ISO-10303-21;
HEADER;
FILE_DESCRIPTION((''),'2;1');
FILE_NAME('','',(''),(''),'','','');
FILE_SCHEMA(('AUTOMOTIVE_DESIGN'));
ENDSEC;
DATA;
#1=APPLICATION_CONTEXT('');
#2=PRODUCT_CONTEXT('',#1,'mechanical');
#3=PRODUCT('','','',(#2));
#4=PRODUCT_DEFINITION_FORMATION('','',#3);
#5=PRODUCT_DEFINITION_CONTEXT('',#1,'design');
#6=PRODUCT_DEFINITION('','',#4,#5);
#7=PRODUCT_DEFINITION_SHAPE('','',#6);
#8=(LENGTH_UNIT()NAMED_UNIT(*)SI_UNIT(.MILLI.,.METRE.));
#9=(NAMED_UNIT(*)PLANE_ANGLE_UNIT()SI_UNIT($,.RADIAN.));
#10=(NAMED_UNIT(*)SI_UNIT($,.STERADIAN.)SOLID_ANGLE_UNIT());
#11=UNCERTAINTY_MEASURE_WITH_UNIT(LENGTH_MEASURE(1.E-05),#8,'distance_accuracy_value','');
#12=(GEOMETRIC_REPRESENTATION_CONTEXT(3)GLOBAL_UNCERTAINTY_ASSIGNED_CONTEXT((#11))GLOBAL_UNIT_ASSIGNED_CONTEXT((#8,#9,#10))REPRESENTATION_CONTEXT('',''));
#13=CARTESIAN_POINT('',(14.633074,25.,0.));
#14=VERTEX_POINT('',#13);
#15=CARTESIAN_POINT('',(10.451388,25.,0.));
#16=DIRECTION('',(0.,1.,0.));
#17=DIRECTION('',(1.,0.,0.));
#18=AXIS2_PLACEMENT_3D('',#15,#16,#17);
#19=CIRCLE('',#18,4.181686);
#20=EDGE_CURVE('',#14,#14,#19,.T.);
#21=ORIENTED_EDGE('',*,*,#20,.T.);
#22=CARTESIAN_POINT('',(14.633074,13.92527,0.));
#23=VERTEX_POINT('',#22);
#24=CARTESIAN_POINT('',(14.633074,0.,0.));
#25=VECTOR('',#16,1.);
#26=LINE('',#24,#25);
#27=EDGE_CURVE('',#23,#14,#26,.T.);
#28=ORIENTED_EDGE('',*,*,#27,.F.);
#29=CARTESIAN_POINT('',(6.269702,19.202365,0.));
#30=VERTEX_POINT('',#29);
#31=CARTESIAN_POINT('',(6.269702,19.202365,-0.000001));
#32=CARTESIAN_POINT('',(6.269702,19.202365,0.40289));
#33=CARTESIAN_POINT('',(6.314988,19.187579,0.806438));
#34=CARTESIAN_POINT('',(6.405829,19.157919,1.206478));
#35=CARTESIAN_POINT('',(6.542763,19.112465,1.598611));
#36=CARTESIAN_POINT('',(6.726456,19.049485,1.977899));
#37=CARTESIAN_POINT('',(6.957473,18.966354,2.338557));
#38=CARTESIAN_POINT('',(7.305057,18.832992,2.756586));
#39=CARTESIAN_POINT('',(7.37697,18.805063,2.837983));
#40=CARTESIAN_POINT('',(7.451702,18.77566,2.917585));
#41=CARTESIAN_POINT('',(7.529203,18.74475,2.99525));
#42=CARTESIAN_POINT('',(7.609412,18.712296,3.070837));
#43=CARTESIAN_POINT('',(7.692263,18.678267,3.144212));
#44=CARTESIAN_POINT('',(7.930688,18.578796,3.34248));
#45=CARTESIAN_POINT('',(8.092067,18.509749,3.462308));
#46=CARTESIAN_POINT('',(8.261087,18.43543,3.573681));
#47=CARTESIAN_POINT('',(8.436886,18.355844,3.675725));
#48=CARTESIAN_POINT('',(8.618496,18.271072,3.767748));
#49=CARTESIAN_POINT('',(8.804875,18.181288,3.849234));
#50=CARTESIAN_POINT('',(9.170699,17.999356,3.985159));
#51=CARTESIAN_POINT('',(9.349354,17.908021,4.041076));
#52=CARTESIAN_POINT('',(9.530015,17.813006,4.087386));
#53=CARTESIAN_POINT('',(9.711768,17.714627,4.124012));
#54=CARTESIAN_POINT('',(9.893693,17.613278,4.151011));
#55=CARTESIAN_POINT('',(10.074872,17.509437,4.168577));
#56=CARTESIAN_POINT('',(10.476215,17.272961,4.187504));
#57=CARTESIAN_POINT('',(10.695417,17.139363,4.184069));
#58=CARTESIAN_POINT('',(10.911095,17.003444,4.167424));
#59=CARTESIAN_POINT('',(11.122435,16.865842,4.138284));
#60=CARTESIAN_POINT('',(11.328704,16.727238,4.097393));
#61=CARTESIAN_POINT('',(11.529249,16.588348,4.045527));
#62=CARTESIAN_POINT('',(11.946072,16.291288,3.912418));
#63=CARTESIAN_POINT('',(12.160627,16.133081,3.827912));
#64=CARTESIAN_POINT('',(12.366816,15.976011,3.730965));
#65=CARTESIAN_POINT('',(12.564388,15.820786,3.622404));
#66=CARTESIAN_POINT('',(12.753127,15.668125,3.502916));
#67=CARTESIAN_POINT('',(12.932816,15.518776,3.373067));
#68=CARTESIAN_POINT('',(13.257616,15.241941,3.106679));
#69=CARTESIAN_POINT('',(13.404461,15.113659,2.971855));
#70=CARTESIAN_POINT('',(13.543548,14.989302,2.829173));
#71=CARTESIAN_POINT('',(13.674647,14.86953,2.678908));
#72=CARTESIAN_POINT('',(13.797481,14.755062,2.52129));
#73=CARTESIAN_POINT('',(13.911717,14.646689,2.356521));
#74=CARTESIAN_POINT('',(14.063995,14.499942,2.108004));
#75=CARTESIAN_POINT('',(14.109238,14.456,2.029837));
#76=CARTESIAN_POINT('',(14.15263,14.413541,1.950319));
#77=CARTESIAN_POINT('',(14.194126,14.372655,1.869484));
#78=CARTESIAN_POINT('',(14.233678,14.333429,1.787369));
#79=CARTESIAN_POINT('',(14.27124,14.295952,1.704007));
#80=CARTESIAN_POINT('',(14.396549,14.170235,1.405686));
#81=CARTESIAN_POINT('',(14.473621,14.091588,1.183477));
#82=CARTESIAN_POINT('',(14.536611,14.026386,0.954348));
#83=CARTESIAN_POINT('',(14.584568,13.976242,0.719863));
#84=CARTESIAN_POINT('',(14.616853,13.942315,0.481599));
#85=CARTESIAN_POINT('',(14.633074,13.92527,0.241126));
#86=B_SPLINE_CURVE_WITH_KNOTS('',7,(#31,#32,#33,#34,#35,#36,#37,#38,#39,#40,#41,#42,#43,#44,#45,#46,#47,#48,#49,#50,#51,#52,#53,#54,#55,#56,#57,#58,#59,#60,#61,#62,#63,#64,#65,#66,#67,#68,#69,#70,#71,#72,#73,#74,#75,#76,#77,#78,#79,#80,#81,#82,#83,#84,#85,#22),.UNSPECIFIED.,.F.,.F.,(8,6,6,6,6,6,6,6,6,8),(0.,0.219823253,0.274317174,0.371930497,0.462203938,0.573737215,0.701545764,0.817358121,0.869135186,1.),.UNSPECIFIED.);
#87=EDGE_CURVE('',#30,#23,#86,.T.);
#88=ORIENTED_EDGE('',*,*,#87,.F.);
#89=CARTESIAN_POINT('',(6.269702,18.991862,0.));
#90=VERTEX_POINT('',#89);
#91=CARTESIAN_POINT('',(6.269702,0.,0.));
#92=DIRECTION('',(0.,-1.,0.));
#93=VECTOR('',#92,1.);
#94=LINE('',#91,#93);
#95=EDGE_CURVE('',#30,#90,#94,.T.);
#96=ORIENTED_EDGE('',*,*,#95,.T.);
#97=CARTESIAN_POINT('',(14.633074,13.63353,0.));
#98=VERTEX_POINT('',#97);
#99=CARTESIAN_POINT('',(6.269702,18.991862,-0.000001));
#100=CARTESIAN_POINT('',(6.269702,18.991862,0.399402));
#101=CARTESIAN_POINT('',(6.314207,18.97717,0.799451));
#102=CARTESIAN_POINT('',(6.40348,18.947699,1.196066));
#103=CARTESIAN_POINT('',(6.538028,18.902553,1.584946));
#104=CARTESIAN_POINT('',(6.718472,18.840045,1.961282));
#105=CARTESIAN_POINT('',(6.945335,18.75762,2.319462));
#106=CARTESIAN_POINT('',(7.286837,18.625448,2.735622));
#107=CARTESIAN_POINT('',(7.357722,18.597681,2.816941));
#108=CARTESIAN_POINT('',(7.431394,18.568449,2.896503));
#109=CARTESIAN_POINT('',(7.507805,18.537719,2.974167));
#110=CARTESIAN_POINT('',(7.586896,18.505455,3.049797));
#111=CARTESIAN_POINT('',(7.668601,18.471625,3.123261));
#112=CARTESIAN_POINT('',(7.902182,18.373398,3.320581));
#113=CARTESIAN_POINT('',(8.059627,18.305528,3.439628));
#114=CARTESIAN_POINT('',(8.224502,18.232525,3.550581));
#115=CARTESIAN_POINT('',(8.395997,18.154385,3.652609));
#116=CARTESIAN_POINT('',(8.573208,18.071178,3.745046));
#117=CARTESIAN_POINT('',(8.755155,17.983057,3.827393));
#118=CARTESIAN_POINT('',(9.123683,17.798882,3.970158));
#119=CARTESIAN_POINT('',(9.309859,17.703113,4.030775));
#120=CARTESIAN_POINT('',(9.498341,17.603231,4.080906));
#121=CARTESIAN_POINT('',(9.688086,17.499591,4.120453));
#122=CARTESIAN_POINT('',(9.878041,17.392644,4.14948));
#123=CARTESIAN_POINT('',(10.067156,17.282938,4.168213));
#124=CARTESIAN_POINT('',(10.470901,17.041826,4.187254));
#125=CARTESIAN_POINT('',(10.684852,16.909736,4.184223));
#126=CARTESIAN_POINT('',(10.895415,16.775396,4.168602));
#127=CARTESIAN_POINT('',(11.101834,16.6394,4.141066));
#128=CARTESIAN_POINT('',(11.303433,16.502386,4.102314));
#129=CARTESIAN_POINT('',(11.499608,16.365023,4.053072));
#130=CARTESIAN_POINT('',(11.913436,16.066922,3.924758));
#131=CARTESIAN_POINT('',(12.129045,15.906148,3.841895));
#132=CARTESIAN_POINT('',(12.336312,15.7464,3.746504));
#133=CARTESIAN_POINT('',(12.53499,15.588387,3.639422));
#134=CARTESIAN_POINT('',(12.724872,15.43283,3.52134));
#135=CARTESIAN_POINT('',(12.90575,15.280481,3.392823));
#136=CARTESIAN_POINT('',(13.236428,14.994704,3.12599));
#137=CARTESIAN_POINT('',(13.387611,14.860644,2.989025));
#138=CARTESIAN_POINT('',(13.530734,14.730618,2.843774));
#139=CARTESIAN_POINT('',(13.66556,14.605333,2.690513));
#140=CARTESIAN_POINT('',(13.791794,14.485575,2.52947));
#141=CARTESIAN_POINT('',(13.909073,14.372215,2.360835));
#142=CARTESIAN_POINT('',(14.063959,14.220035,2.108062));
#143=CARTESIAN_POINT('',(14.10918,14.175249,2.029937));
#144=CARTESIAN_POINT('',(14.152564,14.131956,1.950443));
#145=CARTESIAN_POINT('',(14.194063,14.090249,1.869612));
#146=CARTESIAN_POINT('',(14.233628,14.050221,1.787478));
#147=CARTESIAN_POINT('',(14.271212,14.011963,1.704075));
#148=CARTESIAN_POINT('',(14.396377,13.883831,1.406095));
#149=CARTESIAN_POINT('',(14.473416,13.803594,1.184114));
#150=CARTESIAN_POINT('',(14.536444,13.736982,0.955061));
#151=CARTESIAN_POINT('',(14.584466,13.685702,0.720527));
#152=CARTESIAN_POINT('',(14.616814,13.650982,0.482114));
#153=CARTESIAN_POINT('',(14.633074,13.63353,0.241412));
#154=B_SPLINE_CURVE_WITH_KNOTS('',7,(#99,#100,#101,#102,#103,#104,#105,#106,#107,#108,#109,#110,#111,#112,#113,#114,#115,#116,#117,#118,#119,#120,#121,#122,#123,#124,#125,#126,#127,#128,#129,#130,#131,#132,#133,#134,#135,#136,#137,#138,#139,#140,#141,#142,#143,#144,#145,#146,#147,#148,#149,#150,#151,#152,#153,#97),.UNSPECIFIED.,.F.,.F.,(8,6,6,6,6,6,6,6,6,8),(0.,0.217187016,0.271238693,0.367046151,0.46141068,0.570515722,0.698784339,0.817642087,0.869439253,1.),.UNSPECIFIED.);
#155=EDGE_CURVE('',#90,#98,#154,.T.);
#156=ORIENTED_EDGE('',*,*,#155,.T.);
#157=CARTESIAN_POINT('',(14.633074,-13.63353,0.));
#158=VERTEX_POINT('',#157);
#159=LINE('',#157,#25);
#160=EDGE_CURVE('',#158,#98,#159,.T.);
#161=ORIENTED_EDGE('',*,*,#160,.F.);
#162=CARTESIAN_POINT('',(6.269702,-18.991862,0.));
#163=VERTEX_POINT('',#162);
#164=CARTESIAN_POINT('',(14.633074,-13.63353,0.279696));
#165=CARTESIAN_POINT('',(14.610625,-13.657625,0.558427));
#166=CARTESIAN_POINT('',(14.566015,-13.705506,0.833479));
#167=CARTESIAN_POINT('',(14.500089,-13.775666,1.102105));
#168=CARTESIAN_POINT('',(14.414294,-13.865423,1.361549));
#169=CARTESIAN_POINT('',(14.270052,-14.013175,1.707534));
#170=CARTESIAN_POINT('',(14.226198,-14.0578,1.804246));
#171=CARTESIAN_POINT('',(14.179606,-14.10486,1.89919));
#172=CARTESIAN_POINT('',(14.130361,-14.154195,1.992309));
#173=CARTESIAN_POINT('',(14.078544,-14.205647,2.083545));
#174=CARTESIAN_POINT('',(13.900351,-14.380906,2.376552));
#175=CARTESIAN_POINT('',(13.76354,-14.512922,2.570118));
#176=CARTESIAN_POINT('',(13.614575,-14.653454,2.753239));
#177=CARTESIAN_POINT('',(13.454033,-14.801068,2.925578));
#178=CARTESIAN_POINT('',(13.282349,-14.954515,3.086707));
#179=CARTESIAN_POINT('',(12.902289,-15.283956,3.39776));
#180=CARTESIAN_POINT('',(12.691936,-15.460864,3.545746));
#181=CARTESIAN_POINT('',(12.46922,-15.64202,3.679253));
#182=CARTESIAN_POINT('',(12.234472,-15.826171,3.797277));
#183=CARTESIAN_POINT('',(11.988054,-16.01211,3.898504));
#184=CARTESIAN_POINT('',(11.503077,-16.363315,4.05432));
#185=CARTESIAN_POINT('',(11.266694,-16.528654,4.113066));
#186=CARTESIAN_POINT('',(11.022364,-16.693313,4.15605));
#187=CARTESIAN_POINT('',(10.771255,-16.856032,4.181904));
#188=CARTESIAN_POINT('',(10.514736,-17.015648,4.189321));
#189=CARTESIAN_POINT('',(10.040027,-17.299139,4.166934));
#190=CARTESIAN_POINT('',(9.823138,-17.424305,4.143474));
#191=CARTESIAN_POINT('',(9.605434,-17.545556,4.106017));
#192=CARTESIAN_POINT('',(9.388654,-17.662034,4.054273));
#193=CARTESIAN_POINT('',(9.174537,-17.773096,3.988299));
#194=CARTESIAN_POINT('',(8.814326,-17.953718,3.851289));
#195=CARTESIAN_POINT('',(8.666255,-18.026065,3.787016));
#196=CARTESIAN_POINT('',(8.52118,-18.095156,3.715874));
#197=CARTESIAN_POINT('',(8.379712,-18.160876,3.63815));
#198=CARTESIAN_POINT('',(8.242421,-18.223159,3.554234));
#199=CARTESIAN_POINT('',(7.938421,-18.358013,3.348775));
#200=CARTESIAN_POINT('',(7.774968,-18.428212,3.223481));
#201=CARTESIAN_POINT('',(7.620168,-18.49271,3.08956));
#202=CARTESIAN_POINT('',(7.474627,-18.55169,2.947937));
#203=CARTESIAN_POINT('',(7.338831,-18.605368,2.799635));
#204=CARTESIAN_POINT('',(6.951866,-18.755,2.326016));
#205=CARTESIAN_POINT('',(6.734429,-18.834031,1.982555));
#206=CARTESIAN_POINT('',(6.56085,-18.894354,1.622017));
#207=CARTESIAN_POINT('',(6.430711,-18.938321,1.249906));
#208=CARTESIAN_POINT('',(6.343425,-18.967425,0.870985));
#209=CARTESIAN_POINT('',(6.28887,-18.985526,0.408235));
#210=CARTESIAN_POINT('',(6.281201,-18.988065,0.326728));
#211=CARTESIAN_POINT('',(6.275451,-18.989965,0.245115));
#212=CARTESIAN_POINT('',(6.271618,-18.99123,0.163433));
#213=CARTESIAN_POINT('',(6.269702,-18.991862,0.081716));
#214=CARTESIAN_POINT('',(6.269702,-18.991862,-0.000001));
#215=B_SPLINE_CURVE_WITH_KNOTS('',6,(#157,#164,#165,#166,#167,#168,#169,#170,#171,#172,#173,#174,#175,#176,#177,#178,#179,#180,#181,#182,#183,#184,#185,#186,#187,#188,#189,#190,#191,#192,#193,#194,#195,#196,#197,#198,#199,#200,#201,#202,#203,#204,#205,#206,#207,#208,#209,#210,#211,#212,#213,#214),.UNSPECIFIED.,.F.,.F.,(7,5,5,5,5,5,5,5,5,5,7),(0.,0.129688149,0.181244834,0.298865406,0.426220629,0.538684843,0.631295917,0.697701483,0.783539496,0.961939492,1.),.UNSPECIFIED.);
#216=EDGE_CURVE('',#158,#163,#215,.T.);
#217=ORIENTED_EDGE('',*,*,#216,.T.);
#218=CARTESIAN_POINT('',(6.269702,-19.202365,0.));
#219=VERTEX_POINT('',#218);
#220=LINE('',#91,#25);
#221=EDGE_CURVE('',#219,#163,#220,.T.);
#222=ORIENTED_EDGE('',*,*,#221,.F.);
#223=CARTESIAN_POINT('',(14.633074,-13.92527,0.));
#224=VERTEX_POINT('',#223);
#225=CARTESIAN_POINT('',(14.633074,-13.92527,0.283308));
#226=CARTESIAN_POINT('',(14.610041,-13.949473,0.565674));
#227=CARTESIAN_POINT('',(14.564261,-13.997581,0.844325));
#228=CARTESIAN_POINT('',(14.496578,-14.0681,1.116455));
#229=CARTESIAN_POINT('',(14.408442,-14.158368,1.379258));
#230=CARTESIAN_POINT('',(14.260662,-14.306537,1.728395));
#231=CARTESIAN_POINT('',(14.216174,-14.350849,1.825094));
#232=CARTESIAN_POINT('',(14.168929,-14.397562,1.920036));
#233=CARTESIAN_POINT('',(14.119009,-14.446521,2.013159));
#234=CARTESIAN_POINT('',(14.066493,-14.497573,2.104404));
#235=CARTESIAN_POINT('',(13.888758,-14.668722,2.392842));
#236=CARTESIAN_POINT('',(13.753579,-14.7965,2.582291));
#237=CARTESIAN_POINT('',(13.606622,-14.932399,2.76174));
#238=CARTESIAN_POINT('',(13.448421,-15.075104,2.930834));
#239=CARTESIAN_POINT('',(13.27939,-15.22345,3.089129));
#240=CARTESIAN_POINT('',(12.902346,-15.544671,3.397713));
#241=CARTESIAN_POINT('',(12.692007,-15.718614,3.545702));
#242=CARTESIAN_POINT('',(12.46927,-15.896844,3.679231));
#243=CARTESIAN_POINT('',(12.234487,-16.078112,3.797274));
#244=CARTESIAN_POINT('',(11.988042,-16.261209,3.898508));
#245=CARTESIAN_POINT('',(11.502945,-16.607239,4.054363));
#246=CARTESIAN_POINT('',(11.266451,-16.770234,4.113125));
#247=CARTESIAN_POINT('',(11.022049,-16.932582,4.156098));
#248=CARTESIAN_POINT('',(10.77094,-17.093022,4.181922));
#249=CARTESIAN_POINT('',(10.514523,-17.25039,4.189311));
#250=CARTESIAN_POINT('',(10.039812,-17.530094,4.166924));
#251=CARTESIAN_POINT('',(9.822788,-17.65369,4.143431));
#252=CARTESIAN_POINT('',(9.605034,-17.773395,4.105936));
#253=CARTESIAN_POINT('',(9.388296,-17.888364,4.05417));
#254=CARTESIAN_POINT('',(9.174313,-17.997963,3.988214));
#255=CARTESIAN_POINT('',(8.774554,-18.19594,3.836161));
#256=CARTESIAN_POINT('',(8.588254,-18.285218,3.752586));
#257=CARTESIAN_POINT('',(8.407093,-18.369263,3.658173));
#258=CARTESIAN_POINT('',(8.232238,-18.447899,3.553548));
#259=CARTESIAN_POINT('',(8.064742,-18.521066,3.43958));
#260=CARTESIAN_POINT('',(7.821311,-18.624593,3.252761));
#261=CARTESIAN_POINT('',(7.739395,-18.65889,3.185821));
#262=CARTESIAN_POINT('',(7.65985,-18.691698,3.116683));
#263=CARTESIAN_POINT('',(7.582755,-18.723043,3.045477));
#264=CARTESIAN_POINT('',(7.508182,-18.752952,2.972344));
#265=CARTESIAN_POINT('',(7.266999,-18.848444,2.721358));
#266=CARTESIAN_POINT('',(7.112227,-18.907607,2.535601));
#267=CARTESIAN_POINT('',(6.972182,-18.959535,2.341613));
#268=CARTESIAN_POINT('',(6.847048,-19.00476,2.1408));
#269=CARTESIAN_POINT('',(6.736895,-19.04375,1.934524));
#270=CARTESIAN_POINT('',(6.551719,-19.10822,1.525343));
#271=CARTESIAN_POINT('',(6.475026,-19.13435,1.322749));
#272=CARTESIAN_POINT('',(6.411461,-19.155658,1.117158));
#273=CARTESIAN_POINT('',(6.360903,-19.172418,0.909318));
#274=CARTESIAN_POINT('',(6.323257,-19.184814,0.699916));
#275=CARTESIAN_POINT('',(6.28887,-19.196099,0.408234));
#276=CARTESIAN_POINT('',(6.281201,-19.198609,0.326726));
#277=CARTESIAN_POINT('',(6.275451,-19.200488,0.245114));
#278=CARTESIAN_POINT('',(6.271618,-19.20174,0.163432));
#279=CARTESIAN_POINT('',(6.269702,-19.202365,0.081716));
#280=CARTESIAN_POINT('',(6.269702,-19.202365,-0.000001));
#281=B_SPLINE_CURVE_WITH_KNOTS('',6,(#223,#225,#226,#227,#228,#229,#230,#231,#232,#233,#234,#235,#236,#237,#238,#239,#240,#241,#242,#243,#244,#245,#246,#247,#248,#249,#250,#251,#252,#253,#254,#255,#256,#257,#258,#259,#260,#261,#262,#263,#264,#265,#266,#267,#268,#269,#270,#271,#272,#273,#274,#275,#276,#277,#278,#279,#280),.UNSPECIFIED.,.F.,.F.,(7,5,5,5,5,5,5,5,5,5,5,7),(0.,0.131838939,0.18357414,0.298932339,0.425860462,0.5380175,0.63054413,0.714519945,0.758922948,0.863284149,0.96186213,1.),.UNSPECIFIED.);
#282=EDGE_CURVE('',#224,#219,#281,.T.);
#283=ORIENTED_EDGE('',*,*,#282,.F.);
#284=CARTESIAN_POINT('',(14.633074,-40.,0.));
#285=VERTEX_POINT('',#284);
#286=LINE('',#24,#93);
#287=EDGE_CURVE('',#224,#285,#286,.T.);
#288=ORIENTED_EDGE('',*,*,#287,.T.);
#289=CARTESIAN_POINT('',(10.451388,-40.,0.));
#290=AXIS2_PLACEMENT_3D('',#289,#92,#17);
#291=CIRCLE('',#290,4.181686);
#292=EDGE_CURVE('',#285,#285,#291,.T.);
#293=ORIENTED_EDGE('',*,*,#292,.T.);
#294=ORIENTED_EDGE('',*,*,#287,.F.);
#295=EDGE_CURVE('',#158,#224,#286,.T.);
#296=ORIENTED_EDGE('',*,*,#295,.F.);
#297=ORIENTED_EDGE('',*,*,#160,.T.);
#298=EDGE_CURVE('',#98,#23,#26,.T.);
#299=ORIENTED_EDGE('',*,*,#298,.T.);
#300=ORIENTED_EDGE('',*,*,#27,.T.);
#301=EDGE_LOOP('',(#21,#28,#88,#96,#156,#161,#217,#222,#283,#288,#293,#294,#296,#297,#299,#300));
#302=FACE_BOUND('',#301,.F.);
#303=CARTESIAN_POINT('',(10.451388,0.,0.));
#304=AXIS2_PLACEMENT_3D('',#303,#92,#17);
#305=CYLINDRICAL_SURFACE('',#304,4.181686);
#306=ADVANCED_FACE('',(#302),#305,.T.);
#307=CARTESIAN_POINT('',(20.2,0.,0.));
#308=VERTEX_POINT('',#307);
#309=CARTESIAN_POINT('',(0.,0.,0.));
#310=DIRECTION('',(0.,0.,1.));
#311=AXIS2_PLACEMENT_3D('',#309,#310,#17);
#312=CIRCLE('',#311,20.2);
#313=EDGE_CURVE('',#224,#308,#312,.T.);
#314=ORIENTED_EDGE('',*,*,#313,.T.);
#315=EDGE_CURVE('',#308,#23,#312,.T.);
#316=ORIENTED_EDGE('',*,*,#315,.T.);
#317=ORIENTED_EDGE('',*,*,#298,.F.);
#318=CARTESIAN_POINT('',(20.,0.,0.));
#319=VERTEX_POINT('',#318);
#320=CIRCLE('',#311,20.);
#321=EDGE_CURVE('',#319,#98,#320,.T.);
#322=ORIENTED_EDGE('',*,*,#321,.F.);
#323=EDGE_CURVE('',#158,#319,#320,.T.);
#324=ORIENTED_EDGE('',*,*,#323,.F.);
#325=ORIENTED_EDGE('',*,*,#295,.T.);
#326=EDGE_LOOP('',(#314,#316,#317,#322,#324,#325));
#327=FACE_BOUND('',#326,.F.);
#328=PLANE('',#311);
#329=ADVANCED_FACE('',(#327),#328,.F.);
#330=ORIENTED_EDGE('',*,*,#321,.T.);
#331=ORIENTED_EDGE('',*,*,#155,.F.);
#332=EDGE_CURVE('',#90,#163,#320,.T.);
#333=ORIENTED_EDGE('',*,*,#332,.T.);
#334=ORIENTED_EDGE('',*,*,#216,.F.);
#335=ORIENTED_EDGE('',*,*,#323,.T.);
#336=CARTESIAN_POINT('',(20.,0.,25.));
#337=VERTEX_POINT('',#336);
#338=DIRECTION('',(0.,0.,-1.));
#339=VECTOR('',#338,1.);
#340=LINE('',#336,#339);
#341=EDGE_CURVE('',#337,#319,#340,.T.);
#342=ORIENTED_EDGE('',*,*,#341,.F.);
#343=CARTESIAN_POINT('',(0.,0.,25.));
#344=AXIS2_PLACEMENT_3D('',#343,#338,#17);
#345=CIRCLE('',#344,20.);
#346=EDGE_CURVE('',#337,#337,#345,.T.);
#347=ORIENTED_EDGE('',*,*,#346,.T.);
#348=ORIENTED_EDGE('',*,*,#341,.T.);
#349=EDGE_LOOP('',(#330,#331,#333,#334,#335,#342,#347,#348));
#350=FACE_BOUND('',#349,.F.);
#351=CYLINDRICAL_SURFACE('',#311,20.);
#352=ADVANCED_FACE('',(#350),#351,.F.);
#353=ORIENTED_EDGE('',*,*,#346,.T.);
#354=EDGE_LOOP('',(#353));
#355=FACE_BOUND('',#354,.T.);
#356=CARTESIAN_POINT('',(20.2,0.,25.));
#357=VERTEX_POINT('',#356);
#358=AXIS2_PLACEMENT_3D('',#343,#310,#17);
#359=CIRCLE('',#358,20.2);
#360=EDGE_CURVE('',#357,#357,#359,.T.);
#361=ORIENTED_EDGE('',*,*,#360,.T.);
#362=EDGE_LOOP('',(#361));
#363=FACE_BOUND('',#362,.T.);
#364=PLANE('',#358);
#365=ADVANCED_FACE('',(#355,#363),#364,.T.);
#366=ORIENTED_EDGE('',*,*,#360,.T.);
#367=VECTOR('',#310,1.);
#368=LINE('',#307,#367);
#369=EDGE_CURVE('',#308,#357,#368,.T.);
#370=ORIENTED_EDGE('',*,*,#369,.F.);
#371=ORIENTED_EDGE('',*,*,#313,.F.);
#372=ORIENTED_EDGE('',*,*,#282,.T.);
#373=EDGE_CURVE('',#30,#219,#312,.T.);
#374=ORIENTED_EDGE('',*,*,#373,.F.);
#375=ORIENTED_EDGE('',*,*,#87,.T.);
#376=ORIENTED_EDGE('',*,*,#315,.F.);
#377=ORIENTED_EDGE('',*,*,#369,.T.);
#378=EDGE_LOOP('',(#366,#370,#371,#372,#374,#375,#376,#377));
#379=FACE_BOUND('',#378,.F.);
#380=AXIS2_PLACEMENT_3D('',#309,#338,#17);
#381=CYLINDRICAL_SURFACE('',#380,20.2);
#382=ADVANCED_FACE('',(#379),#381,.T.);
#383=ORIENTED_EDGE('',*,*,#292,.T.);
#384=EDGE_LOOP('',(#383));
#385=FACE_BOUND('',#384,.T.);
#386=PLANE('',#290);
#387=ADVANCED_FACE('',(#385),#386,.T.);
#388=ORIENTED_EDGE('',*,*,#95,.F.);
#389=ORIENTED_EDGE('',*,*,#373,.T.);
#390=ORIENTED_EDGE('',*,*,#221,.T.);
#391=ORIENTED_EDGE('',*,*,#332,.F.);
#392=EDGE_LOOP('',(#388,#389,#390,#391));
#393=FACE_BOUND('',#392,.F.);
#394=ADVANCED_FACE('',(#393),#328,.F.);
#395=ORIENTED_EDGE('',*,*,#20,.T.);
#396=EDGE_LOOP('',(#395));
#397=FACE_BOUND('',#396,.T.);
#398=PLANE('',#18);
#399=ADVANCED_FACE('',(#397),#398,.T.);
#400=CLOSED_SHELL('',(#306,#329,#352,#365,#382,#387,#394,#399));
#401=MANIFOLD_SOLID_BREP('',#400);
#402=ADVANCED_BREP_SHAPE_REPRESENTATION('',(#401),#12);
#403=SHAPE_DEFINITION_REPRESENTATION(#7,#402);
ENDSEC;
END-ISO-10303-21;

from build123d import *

# Parameters (mm, degrees)
F0_R      = 20.2
F2_DEPTH  = 25
F1_R      = 20
F3_DEPTH  = 12.5
F3_FACE_R = 20
F4_DEPTH  = 25
F5_R      = 4.181686
F6_DEPTH  = 40
F6_FACE_R = 4.181686
F7_DEPTH  = 25


with BuildPart() as f2:
    # F0 (on Top) → F2 (new body)
    with BuildSketch(Plane.XY):
        Circle(F0_R)
    extrude(amount=F2_DEPTH)

    # F1 (on Top) → F3 (cut, symmetric)
    with BuildSketch(Plane.XY):
        Circle(F1_R)
    extrude(amount=F3_DEPTH, both=True, mode=Mode.SUBTRACT)

    # F3_face (on face) → F4 (cut)
    with BuildSketch(Plane(origin=(0, 0, 12.5), x_dir=(1, 0, 0), z_dir=(0, 0, -1))):
        Circle(F3_FACE_R)
    extrude(amount=-F4_DEPTH, mode=Mode.SUBTRACT)

    # F5 (on Front) → F6 (join)
    with BuildSketch(Plane.XZ):
        with Locations((10.451388, 0)):
            Circle(F5_R)
    extrude(amount=F6_DEPTH)

    # F6_face (on face) → F7 (join)
    with BuildSketch(Plane(origin=(10.451388, 0, 0), x_dir=(1, 0, 0), z_dir=(0, 1, 0))):
        Circle(F6_FACE_R)
    extrude(amount=F7_DEPTH)


solid = f2.part
